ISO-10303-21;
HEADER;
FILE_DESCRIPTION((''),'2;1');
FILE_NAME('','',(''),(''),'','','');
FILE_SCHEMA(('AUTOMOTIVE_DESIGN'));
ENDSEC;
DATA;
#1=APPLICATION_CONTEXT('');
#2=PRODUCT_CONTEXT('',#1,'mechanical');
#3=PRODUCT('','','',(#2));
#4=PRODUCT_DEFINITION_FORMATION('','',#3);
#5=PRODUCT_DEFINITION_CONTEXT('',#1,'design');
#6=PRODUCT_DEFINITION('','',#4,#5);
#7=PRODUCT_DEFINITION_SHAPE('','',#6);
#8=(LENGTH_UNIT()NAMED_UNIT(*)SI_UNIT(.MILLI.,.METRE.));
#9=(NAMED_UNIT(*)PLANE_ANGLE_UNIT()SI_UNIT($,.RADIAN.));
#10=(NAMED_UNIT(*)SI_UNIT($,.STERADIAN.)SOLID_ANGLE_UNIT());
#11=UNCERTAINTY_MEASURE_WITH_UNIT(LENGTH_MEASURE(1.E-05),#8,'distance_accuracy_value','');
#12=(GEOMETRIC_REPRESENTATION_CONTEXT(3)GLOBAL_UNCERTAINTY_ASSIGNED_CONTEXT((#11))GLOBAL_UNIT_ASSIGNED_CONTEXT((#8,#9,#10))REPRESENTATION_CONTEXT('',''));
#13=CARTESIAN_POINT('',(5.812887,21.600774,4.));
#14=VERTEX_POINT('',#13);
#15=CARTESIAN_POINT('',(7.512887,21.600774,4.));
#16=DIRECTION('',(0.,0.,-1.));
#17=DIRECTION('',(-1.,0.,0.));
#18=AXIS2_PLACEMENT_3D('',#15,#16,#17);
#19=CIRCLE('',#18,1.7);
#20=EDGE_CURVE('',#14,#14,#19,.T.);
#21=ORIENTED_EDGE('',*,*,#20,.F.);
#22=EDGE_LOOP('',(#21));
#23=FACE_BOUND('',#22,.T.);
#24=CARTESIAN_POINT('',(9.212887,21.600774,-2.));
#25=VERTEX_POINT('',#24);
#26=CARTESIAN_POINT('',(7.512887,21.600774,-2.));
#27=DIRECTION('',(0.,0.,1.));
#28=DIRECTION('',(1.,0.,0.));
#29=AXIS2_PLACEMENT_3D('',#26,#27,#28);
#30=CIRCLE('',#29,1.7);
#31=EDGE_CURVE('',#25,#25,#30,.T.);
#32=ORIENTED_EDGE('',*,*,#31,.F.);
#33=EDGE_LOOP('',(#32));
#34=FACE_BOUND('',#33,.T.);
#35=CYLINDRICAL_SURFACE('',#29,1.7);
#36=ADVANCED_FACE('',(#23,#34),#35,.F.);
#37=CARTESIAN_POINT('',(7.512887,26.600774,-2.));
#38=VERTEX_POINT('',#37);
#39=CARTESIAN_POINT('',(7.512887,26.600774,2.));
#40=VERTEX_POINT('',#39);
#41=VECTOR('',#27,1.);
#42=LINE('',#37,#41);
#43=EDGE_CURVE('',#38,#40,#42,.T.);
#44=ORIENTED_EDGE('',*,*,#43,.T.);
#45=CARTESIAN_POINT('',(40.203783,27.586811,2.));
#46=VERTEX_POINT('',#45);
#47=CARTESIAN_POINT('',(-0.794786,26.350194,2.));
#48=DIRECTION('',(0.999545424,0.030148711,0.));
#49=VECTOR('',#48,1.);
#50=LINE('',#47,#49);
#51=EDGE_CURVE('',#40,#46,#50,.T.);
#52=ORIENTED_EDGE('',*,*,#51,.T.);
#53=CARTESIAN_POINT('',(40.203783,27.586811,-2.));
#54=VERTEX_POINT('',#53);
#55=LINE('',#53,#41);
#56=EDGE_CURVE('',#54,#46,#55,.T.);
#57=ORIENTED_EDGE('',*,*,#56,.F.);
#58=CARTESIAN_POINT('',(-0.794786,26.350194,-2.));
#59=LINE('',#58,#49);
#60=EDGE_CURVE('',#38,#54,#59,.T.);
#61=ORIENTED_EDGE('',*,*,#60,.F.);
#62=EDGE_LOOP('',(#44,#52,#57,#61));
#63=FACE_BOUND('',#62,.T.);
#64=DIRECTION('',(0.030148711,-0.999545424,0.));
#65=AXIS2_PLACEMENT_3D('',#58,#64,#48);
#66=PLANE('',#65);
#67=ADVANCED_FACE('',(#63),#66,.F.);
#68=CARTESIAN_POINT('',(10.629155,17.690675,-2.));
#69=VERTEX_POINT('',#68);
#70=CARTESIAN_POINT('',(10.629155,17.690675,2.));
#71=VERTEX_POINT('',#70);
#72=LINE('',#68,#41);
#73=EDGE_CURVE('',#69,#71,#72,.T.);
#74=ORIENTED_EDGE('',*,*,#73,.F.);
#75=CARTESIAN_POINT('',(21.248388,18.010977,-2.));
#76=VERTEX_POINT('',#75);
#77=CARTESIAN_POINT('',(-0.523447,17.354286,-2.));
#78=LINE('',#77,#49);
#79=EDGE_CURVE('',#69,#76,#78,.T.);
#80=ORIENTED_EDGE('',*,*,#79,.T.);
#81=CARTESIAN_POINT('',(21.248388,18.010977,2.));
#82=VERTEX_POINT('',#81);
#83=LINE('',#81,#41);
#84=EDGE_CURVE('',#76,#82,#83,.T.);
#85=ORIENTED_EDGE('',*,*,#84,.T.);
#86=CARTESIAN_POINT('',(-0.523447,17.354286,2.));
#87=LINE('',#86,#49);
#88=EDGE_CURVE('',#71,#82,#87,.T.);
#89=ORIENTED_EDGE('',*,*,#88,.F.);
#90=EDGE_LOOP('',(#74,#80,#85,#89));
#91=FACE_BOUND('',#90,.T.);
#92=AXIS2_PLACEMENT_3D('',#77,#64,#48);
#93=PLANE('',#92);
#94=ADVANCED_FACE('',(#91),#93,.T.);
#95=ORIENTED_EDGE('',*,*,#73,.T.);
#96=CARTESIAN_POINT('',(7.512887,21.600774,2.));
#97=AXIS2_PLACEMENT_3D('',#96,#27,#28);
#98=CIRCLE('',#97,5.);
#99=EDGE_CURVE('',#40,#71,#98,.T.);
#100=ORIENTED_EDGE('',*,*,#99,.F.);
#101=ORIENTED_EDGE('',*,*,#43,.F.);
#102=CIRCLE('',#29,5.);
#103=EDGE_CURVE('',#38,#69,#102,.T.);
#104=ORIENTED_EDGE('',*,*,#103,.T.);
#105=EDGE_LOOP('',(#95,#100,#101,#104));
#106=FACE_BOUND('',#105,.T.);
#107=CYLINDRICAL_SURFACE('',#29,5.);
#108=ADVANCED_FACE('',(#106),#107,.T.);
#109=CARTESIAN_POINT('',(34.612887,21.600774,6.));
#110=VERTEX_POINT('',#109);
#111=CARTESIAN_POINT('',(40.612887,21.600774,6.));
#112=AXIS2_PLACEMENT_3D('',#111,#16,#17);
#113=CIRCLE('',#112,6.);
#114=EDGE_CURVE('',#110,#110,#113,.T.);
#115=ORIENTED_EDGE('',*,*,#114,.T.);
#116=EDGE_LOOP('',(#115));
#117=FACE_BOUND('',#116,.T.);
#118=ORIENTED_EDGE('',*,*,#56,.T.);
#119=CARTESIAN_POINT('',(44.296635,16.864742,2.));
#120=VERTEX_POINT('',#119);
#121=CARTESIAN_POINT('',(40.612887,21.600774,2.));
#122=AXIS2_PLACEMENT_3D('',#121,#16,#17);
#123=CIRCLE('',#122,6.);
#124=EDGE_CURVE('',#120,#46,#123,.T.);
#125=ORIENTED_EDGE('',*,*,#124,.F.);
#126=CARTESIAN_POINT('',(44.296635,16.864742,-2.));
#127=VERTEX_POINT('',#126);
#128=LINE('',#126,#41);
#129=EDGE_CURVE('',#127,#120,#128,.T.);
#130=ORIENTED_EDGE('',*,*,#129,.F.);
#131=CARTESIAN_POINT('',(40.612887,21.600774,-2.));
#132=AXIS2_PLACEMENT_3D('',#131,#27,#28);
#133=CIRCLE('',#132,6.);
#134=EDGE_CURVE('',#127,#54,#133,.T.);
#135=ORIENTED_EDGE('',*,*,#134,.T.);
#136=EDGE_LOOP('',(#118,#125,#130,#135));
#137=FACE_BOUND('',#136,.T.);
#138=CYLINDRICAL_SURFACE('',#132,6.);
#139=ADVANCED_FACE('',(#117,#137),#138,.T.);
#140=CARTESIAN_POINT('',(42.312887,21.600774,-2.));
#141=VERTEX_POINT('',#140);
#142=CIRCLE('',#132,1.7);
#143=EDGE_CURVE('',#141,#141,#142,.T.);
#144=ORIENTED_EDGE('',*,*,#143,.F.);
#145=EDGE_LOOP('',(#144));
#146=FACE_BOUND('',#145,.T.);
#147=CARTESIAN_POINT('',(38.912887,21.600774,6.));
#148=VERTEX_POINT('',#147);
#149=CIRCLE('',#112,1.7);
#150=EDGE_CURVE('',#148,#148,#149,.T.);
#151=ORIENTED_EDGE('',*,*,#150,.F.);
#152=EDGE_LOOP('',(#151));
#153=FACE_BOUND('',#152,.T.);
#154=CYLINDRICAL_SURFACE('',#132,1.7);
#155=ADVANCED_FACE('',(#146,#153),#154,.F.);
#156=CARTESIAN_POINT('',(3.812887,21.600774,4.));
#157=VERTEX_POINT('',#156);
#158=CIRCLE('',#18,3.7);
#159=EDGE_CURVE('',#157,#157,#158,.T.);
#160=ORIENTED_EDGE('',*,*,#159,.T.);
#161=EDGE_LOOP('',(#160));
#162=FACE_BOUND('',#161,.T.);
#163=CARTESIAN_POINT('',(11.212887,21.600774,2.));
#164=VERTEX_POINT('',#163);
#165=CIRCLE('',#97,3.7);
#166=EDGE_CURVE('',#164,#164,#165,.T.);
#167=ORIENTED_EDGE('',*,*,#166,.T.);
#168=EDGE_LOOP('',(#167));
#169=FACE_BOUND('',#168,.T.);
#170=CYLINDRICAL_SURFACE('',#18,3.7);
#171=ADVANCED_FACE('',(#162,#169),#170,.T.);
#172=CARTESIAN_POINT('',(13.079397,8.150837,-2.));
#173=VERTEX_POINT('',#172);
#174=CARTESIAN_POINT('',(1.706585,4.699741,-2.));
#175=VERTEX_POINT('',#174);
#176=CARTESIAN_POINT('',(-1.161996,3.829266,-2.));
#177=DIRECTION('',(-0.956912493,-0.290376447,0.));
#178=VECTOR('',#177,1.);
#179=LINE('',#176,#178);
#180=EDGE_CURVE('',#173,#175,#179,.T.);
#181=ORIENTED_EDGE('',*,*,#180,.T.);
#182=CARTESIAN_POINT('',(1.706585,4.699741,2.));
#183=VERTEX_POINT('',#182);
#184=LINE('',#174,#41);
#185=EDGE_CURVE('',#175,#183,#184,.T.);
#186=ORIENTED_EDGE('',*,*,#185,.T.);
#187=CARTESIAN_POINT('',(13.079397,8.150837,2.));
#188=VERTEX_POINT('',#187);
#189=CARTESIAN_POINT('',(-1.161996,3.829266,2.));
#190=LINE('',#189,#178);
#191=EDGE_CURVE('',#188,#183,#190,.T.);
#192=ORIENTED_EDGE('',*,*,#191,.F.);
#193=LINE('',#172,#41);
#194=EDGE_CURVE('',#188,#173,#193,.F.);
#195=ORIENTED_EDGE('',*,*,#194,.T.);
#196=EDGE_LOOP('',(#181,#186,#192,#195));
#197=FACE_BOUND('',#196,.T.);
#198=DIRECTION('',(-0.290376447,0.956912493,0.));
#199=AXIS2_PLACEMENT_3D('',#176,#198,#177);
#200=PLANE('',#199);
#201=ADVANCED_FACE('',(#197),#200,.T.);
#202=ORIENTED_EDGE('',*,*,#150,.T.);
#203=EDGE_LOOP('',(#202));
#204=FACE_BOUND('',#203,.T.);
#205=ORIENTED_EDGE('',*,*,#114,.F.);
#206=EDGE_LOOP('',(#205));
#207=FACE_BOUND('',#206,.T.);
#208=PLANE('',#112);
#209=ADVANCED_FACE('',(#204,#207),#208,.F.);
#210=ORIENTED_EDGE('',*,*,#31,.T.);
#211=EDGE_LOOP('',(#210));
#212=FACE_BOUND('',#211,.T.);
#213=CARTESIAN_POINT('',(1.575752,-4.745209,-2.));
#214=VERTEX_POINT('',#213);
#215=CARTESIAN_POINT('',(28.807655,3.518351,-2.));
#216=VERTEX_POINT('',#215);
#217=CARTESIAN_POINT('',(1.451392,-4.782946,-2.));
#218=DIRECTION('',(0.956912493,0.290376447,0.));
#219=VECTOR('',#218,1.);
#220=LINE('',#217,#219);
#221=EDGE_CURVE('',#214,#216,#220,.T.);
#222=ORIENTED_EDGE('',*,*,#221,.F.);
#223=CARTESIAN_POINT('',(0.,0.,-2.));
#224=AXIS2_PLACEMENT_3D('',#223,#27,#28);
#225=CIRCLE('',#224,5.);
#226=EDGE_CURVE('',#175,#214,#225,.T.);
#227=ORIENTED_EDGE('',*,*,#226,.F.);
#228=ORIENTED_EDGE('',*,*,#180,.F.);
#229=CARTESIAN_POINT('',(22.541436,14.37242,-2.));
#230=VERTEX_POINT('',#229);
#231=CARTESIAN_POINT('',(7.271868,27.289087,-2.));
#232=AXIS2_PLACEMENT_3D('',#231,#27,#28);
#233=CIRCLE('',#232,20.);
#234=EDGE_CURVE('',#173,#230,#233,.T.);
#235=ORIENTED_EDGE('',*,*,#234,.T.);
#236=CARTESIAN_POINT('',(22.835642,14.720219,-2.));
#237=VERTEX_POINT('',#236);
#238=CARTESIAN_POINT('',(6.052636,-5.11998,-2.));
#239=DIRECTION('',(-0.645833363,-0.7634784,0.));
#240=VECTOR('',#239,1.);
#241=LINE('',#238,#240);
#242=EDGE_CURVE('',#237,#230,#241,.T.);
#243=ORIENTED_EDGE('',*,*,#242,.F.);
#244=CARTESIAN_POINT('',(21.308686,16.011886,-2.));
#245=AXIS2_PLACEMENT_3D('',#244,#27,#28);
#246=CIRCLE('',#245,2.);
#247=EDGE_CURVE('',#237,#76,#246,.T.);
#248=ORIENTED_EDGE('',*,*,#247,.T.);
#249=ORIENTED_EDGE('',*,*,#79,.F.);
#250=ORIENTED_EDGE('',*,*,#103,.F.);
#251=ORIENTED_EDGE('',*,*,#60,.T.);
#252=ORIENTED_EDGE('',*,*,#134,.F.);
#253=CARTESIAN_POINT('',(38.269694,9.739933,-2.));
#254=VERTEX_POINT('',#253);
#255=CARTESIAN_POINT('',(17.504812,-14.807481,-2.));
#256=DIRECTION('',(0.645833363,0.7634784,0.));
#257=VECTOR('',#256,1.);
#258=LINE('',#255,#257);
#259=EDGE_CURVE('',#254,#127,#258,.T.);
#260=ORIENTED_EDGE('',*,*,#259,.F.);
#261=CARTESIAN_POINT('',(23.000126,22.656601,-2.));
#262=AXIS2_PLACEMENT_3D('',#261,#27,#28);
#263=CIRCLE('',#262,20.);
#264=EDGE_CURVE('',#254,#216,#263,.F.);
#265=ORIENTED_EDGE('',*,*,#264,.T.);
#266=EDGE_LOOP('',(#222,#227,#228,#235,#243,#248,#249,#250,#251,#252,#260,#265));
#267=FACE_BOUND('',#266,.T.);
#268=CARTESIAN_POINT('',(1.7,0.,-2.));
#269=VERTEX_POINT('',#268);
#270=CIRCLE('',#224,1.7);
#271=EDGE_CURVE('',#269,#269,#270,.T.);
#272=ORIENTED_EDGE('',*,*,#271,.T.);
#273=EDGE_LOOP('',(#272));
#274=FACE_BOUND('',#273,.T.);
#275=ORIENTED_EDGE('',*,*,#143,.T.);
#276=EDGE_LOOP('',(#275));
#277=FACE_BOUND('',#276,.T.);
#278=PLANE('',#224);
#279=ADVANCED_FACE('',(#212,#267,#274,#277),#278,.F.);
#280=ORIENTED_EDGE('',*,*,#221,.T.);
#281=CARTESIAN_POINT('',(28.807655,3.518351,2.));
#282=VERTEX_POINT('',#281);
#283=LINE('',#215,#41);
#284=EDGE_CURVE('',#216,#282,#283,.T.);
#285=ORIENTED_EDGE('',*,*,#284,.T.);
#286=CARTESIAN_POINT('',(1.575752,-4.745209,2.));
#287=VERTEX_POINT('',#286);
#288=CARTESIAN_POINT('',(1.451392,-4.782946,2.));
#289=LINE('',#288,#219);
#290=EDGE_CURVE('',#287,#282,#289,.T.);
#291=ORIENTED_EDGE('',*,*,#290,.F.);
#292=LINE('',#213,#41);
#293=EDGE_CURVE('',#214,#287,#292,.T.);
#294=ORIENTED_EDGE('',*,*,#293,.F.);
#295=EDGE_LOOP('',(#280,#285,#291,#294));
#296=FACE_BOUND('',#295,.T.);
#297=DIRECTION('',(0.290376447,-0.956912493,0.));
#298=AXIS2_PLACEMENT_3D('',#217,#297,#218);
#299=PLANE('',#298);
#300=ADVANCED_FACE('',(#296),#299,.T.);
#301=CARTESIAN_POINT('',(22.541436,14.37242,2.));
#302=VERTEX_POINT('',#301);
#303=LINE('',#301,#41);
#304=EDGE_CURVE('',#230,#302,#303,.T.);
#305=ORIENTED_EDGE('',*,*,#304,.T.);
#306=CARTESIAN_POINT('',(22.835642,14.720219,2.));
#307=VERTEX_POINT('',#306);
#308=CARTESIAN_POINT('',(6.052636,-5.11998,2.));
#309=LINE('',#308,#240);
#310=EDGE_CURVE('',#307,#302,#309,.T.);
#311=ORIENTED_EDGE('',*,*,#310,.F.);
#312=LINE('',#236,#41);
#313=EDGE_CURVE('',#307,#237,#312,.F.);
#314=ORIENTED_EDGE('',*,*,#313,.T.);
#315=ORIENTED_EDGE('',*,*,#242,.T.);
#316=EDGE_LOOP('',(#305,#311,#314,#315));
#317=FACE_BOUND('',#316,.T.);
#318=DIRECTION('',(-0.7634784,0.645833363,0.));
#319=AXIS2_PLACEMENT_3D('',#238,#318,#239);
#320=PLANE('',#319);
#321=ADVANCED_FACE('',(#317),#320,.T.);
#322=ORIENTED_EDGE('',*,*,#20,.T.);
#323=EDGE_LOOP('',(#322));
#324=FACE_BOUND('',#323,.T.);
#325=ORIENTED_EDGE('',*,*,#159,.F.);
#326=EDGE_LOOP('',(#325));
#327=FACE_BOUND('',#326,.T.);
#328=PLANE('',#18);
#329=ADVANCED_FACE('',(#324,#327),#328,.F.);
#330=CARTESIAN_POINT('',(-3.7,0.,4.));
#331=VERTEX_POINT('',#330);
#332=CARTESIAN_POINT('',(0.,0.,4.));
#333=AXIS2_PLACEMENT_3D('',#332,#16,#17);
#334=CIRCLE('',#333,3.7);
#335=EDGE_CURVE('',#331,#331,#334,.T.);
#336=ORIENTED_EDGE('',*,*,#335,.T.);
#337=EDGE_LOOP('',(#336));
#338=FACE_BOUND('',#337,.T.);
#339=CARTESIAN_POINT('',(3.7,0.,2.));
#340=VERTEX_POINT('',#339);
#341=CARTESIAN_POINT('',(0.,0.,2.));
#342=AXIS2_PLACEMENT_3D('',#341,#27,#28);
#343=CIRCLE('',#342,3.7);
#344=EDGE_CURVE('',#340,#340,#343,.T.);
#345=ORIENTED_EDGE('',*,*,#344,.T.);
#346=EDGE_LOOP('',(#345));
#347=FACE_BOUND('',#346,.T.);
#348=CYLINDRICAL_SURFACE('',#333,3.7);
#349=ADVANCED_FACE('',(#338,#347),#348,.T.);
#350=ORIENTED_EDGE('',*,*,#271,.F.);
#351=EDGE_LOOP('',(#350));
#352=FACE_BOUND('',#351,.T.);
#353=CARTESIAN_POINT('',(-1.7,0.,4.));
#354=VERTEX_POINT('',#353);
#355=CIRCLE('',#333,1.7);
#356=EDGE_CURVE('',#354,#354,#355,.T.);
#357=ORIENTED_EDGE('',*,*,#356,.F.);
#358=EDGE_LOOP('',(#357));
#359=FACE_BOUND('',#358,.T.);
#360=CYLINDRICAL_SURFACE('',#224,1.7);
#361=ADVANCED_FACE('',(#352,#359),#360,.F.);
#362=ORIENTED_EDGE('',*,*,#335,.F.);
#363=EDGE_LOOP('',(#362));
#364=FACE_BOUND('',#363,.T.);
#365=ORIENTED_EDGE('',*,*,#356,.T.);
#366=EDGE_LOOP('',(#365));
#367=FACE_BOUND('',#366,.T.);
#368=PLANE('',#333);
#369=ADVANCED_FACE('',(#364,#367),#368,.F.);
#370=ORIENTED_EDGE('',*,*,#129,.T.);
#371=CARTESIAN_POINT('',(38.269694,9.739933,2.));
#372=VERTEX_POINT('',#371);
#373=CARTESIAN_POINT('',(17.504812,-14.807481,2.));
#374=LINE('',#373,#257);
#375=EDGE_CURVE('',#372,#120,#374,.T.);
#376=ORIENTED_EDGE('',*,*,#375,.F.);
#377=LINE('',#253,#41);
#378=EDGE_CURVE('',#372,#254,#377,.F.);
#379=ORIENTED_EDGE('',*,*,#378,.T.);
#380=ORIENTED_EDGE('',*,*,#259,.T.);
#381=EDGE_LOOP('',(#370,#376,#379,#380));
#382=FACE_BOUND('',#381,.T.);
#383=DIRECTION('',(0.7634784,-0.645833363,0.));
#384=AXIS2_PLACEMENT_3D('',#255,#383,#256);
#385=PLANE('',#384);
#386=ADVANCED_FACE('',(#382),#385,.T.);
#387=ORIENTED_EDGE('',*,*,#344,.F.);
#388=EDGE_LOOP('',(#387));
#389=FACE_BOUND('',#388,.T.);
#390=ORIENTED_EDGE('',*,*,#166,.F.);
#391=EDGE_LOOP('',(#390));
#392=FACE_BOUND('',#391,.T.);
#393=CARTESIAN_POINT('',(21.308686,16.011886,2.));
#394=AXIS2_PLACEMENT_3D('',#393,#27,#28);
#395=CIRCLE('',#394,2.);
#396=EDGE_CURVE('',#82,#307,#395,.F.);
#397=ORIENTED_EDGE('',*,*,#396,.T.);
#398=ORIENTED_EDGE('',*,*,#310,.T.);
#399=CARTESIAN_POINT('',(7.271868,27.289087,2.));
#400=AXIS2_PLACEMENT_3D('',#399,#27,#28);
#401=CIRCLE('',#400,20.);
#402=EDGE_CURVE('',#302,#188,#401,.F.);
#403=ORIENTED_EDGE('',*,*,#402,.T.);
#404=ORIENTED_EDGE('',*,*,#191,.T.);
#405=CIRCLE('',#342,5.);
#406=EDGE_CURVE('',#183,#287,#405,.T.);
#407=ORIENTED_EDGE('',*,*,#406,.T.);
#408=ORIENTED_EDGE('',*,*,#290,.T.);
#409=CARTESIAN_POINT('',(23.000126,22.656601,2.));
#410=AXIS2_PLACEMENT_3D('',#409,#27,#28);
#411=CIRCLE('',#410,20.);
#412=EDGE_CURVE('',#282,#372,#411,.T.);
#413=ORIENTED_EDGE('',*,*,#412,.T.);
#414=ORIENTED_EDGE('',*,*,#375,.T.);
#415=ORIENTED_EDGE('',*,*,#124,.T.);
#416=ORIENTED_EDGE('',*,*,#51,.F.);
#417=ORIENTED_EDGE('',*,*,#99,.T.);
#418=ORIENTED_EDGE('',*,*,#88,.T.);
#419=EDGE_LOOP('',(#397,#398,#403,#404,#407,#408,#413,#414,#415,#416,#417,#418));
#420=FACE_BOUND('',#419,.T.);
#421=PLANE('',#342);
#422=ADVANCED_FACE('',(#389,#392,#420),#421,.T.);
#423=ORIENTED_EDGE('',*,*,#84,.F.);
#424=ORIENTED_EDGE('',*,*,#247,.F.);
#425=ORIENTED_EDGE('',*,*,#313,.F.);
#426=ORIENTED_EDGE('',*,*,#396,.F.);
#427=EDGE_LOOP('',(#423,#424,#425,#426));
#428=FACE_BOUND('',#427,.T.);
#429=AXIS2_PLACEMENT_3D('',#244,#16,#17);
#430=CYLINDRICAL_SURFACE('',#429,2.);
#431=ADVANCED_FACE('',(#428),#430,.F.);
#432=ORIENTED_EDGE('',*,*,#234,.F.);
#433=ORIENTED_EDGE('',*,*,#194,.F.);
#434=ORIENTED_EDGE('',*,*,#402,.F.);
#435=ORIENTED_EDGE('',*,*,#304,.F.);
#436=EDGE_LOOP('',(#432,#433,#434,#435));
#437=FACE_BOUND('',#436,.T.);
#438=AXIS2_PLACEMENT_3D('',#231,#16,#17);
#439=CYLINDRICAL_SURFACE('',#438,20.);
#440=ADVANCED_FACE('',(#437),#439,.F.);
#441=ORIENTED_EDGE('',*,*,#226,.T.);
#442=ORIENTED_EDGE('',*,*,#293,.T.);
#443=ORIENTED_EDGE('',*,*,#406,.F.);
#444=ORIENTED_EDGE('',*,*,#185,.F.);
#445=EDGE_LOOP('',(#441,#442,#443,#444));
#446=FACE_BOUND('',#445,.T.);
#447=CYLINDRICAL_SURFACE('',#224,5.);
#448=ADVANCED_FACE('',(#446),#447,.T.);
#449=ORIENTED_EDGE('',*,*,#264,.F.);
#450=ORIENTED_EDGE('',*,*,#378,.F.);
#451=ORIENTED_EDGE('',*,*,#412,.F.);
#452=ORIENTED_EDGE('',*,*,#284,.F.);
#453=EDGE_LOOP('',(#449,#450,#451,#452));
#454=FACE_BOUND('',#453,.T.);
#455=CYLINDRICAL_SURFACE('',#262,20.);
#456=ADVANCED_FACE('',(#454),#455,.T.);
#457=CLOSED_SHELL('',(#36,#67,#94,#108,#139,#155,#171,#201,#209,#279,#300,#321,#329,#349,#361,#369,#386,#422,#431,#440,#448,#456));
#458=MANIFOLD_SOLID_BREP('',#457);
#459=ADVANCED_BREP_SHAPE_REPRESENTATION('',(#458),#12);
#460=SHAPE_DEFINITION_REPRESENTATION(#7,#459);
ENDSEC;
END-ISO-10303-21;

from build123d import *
from build123d.topology import SkipClean

# Parameters (mm, degrees)
BOSS_EXTRUDE1_DEPTH      = 2
BOSS_EXTRUDE1_DEPTH_BACK = 2
SKETCH2_R                = 1.7
FILLET1_R                = 20
SKETCH7_R                = 6
SKETCH7_R_2              = 1.7
BOSS_EXTRUDE4_DEPTH      = 4
SKETCH8_R                = 3.7
SKETCH8_R_2              = 1.7
BOSS_EXTRUDE5_DEPTH      = 2
FILLET4_R                = 2


with BuildPart() as part:
    # Sketch2 → Boss-Extrude1 (new, two sides: drawn at the far end of the back side and taken through both)
    with BuildSketch(Plane.XY.offset(-BOSS_EXTRUDE1_DEPTH_BACK)):
        with BuildLine():
            ThreePointArc((1.70658462, 4.699741369), (-4.999520368, 0.069253832), (1.575752274, -4.745208612))
            Line((1.575752274, -4.745208612), (34.456924853, 5.232629629))
            Line((34.456924853, 5.232629629), (44.296635241, 16.864742156))
            ThreePointArc((44.296635241, 16.864742156), (46.218376178, 23.740514028), (40.203783054, 27.586810508))
            Line((40.203783054, 27.586810508), (7.512886707, 26.600773906))
            ThreePointArc((7.512886707, 26.600773906), (2.79322071, 19.950091357), (10.629154827, 17.690675057))
            Line((10.629154827, 17.690675057), (25.733767379, 18.146266751))
            Line((25.733767379, 18.146266751), (18.728666276, 9.86511608))
            Line((18.728666276, 9.86511608), (1.70658462, 4.699741369))
        make_face()
        Circle(SKETCH2_R, mode=Mode.SUBTRACT)
        with Locations((7.512886707, 21.600773906)):
            Circle(SKETCH2_R, mode=Mode.SUBTRACT)
        with Locations((40.612886707, 21.600773906)):
            Circle(SKETCH2_R, mode=Mode.SUBTRACT)
    extrude(amount=BOSS_EXTRUDE1_DEPTH + BOSS_EXTRUDE1_DEPTH_BACK)

    # Fillet1
    fillet1_edges = [part.edges().sort_by_distance(p)[0] for p in [
        (34.456924853, 5.232629629, 0),
        (18.728666276, 9.86511608, 0),
    ]]
    fillet(fillet1_edges, radius=FILLET1_R)

    # Sketch7 → Boss-Extrude4 (add)
    with SkipClean():  # the faces are left unmerged after this step: merging them gives an invalid solid
        with BuildSketch(Plane(origin=(0, 0, 2), x_dir=(-1, 0, 0), z_dir=(0, 0, -1))):
            with Locations((-40.612886707, 21.600773906)):
                Circle(SKETCH7_R)
            with Locations((-40.612886707, 21.600773906)):
                Circle(SKETCH7_R_2, mode=Mode.SUBTRACT)
        extrude(amount=-BOSS_EXTRUDE4_DEPTH)

    # Sketch8 → Boss-Extrude5 (add)
    # profile 1 of 2: a face of its own
    with SkipClean():  # the faces are left unmerged after this step: merging them gives an invalid solid
        with BuildSketch(Plane(origin=(0, 0, 2), x_dir=(-1, 0, 0), z_dir=(0, 0, -1))):
            with Locations((-7.512886707, 21.600773906)):
                Circle(SKETCH8_R)
            with Locations((-7.512886707, 21.600773906)):
                Circle(SKETCH8_R_2, mode=Mode.SUBTRACT)
        # profile 2 of 2: a face of its own
        with BuildSketch(Plane(origin=(0, 0, 2), x_dir=(-1, 0, 0), z_dir=(0, 0, -1))):
            Circle(SKETCH8_R)
            Circle(SKETCH8_R_2, mode=Mode.SUBTRACT)
        extrude(amount=-BOSS_EXTRUDE5_DEPTH)

    # Fillet4
    fillet4_edges = [part.edges().sort_by_distance(p)[0] for p in [
        (25.733767379, 18.146266751, 0),
    ]]
    fillet(fillet4_edges, radius=FILLET4_R)


solid = part.part
